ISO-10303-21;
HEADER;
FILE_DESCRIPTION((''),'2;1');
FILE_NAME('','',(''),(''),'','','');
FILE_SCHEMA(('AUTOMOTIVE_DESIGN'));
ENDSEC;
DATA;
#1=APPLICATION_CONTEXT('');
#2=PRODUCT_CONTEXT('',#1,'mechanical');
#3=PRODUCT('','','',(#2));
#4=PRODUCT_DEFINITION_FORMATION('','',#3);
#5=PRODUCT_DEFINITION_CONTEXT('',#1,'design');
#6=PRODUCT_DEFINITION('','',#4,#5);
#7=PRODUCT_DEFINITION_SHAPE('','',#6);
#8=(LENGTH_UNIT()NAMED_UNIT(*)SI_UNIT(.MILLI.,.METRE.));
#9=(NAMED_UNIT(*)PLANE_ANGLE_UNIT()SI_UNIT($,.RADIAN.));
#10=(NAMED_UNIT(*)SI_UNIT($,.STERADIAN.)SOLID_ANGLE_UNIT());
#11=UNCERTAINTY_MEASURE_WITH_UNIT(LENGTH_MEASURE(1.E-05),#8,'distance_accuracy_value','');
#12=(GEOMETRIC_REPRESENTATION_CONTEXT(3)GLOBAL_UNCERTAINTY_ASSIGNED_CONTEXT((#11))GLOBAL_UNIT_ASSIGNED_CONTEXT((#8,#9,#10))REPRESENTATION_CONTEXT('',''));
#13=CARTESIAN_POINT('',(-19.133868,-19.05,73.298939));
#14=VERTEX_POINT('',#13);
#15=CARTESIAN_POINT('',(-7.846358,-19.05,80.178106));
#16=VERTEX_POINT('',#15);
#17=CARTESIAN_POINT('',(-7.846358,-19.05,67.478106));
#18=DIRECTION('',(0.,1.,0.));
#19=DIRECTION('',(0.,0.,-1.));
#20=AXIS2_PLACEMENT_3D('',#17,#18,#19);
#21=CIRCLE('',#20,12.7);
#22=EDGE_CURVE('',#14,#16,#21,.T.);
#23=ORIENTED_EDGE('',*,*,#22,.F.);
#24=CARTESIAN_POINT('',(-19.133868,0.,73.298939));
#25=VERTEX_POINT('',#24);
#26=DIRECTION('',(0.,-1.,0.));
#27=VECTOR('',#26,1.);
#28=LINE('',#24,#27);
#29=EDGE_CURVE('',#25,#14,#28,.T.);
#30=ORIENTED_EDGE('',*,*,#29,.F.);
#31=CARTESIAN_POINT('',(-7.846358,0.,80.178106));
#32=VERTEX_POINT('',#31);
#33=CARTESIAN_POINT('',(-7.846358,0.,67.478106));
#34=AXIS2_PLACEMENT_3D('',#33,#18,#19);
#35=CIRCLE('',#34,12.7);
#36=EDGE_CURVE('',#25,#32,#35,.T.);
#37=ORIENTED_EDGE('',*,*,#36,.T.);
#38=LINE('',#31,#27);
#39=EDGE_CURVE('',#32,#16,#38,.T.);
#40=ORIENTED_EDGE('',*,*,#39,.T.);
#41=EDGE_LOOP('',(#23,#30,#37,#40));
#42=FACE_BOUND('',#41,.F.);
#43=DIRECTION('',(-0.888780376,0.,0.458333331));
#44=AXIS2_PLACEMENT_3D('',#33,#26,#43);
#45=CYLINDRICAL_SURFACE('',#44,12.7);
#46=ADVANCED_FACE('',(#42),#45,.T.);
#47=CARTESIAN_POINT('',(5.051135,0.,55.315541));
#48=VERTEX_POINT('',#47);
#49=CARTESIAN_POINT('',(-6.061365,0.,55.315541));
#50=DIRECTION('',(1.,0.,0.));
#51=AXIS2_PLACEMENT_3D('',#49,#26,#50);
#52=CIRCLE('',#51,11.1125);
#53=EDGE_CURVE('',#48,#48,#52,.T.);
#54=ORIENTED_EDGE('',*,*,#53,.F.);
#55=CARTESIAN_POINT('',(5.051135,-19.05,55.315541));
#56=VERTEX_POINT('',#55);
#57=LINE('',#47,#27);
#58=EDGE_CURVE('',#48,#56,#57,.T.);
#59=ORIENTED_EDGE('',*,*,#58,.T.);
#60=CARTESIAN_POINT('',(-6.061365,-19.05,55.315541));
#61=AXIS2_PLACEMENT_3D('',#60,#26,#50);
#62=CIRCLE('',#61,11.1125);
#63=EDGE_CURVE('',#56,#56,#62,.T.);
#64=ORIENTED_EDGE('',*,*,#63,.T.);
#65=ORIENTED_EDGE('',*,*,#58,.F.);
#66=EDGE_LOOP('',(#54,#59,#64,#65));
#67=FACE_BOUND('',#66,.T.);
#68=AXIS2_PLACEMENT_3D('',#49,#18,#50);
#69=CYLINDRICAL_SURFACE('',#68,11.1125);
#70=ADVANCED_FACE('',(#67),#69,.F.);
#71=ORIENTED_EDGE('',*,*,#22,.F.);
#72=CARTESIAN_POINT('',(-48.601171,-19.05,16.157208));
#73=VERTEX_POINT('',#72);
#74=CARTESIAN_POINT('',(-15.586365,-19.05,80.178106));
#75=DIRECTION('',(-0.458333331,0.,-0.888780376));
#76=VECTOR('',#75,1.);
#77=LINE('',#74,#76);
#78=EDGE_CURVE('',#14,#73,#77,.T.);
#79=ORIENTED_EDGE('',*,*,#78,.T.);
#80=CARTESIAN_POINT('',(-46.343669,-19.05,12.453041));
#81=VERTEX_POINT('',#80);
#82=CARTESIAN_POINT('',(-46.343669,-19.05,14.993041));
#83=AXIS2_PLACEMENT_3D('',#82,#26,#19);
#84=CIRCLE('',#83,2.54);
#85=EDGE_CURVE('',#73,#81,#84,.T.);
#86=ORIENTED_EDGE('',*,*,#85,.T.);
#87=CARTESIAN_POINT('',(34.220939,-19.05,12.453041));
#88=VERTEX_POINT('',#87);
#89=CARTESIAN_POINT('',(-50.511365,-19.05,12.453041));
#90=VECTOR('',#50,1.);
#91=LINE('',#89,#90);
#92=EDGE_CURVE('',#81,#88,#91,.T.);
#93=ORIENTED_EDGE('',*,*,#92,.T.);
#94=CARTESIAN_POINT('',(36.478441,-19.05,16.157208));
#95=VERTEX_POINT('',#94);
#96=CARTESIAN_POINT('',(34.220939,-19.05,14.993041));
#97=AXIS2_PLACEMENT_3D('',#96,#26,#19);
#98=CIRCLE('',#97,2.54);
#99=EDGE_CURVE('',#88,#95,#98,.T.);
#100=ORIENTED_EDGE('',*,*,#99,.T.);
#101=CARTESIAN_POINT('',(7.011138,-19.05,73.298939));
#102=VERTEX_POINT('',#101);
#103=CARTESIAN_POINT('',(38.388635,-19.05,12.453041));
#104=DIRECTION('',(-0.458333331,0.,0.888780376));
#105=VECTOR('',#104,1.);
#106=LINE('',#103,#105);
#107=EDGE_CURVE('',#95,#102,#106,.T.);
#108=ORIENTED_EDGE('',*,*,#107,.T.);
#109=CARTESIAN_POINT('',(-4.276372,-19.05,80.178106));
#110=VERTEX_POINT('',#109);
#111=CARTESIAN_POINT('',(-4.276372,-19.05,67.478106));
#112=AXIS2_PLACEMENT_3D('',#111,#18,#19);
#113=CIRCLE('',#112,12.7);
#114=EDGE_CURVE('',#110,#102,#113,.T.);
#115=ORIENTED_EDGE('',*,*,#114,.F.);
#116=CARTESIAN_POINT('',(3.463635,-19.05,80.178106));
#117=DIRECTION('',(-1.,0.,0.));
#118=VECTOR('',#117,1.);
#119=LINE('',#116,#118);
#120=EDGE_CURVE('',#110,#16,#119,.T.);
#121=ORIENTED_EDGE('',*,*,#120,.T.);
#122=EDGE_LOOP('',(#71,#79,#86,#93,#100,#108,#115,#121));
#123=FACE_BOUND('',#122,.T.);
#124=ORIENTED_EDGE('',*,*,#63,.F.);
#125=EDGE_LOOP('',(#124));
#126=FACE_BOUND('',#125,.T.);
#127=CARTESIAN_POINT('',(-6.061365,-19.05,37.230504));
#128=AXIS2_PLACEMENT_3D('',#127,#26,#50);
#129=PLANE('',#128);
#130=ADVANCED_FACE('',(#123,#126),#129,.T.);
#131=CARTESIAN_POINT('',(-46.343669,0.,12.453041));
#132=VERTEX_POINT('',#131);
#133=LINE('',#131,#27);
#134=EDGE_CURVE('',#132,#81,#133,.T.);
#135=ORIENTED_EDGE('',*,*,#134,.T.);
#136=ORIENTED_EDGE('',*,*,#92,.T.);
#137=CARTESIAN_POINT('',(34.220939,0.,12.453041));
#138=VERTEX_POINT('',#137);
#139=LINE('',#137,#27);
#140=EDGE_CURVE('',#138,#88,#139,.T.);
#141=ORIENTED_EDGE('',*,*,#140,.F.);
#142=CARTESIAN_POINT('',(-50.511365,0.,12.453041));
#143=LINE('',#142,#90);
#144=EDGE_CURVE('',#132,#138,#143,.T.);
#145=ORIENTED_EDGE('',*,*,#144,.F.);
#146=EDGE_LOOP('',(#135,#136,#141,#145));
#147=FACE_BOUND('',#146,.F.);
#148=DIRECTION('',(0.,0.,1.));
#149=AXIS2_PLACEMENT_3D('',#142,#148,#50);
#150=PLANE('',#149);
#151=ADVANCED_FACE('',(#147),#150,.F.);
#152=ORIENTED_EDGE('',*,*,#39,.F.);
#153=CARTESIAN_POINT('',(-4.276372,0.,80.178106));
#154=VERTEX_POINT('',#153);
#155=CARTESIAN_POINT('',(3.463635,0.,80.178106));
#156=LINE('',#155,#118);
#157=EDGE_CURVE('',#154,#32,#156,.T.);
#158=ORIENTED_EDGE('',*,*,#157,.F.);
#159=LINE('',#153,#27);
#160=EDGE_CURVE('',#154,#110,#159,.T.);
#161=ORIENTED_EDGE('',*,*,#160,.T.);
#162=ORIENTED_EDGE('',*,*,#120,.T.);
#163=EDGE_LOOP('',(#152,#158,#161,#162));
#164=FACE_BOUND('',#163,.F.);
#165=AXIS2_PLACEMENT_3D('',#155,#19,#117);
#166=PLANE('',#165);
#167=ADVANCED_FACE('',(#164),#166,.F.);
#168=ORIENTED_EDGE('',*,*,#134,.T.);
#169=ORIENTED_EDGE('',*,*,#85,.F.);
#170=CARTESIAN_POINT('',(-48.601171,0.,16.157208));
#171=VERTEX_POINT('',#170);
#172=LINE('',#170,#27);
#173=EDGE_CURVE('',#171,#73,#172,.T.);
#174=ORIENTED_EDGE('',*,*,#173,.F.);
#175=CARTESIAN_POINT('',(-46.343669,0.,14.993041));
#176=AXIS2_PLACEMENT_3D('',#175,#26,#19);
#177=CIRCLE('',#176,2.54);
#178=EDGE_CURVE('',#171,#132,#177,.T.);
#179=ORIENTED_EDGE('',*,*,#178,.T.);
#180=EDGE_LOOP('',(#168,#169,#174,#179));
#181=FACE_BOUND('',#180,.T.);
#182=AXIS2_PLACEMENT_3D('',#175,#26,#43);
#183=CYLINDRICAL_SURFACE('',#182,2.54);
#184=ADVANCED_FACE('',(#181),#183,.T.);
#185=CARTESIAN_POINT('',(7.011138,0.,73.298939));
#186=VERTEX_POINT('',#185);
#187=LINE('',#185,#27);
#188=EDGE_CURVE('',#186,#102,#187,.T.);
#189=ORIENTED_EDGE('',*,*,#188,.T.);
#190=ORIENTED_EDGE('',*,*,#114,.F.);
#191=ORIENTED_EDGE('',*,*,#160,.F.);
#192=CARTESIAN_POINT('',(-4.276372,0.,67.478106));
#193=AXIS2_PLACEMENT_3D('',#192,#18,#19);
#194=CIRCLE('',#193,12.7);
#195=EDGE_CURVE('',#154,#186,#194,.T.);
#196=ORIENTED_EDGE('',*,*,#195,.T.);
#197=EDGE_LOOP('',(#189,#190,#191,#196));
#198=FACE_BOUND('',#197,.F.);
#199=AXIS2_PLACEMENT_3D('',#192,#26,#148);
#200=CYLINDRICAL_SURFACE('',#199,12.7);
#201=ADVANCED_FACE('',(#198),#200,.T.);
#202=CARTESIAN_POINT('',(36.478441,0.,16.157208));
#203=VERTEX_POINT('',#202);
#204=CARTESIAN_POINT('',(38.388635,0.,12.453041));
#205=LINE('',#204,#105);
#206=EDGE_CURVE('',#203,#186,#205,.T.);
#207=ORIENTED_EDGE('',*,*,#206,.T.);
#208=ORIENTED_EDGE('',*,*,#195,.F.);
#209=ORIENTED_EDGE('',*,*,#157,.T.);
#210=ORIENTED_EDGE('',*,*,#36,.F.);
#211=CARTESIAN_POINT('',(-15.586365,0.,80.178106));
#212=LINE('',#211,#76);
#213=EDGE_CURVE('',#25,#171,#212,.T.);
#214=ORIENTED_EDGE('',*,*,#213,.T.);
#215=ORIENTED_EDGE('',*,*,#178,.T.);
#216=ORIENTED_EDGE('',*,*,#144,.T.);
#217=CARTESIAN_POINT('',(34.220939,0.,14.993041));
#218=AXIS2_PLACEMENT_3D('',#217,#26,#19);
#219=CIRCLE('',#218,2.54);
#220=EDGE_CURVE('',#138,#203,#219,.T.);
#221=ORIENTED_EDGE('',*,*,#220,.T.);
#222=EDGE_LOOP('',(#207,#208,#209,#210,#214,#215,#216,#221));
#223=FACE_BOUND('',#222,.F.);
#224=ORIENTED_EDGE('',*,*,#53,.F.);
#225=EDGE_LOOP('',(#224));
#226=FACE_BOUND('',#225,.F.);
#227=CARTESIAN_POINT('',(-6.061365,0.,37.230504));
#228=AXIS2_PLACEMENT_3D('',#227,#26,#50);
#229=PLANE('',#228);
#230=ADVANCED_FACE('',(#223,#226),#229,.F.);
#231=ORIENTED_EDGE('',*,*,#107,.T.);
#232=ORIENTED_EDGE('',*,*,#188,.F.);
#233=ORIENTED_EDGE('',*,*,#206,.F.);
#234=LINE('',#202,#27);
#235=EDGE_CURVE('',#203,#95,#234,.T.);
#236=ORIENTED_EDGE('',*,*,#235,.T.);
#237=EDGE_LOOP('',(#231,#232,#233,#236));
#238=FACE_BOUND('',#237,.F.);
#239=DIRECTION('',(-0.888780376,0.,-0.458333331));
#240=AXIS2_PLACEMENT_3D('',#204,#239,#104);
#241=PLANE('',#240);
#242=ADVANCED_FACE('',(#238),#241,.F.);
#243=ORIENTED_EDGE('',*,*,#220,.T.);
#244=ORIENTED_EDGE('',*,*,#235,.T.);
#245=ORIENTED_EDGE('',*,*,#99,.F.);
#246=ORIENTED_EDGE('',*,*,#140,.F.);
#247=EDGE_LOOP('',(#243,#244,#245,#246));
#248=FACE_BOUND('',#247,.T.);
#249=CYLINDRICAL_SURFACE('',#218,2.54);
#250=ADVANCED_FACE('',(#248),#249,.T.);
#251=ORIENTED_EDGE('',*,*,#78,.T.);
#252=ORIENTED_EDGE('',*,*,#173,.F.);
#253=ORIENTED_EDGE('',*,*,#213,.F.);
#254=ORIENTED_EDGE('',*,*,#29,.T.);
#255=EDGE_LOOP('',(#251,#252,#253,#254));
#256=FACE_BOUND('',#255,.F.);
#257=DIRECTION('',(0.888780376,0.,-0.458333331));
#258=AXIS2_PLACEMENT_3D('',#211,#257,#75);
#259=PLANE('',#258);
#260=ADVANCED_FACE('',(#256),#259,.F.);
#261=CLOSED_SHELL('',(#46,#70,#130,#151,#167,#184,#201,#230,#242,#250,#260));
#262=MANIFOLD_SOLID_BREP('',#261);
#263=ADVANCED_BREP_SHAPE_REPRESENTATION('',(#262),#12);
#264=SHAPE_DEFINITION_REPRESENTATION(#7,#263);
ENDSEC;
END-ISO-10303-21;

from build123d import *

# Parameters (mm, degrees)
F0_R     = 11.1125
F1_DEPTH = 19.05
F2_R     = 12.7
F3_R     = 2.54


with BuildPart() as f1:
    # F0 (on Front) → F1 (new body)
    with BuildSketch(Plane.XZ):
        Polygon((-15.586365, 80.178106), (-50.511365, 12.453041), (38.388635, 12.453041), (3.463635, 80.178106), align=None)
        with Locations((-6.061365, 55.315541)):
            Circle(F0_R, mode=Mode.SUBTRACT)
    extrude(amount=F1_DEPTH)

    # F2
    f2_edges = [f1.edges().sort_by_distance(p)[0] for p in [
        (-15.586365, -9.525, 80.178106),
        (3.463635, -9.525, 80.178106),
    ]]
    fillet(f2_edges, radius=F2_R)

    # F3
    f3_edges = [f1.edges().sort_by_distance(p)[0] for p in [
        (-50.511365, -9.525, 12.453041),
        (38.388635, -9.525, 12.453041),
    ]]
    fillet(f3_edges, radius=F3_R)


solid = f1.part
